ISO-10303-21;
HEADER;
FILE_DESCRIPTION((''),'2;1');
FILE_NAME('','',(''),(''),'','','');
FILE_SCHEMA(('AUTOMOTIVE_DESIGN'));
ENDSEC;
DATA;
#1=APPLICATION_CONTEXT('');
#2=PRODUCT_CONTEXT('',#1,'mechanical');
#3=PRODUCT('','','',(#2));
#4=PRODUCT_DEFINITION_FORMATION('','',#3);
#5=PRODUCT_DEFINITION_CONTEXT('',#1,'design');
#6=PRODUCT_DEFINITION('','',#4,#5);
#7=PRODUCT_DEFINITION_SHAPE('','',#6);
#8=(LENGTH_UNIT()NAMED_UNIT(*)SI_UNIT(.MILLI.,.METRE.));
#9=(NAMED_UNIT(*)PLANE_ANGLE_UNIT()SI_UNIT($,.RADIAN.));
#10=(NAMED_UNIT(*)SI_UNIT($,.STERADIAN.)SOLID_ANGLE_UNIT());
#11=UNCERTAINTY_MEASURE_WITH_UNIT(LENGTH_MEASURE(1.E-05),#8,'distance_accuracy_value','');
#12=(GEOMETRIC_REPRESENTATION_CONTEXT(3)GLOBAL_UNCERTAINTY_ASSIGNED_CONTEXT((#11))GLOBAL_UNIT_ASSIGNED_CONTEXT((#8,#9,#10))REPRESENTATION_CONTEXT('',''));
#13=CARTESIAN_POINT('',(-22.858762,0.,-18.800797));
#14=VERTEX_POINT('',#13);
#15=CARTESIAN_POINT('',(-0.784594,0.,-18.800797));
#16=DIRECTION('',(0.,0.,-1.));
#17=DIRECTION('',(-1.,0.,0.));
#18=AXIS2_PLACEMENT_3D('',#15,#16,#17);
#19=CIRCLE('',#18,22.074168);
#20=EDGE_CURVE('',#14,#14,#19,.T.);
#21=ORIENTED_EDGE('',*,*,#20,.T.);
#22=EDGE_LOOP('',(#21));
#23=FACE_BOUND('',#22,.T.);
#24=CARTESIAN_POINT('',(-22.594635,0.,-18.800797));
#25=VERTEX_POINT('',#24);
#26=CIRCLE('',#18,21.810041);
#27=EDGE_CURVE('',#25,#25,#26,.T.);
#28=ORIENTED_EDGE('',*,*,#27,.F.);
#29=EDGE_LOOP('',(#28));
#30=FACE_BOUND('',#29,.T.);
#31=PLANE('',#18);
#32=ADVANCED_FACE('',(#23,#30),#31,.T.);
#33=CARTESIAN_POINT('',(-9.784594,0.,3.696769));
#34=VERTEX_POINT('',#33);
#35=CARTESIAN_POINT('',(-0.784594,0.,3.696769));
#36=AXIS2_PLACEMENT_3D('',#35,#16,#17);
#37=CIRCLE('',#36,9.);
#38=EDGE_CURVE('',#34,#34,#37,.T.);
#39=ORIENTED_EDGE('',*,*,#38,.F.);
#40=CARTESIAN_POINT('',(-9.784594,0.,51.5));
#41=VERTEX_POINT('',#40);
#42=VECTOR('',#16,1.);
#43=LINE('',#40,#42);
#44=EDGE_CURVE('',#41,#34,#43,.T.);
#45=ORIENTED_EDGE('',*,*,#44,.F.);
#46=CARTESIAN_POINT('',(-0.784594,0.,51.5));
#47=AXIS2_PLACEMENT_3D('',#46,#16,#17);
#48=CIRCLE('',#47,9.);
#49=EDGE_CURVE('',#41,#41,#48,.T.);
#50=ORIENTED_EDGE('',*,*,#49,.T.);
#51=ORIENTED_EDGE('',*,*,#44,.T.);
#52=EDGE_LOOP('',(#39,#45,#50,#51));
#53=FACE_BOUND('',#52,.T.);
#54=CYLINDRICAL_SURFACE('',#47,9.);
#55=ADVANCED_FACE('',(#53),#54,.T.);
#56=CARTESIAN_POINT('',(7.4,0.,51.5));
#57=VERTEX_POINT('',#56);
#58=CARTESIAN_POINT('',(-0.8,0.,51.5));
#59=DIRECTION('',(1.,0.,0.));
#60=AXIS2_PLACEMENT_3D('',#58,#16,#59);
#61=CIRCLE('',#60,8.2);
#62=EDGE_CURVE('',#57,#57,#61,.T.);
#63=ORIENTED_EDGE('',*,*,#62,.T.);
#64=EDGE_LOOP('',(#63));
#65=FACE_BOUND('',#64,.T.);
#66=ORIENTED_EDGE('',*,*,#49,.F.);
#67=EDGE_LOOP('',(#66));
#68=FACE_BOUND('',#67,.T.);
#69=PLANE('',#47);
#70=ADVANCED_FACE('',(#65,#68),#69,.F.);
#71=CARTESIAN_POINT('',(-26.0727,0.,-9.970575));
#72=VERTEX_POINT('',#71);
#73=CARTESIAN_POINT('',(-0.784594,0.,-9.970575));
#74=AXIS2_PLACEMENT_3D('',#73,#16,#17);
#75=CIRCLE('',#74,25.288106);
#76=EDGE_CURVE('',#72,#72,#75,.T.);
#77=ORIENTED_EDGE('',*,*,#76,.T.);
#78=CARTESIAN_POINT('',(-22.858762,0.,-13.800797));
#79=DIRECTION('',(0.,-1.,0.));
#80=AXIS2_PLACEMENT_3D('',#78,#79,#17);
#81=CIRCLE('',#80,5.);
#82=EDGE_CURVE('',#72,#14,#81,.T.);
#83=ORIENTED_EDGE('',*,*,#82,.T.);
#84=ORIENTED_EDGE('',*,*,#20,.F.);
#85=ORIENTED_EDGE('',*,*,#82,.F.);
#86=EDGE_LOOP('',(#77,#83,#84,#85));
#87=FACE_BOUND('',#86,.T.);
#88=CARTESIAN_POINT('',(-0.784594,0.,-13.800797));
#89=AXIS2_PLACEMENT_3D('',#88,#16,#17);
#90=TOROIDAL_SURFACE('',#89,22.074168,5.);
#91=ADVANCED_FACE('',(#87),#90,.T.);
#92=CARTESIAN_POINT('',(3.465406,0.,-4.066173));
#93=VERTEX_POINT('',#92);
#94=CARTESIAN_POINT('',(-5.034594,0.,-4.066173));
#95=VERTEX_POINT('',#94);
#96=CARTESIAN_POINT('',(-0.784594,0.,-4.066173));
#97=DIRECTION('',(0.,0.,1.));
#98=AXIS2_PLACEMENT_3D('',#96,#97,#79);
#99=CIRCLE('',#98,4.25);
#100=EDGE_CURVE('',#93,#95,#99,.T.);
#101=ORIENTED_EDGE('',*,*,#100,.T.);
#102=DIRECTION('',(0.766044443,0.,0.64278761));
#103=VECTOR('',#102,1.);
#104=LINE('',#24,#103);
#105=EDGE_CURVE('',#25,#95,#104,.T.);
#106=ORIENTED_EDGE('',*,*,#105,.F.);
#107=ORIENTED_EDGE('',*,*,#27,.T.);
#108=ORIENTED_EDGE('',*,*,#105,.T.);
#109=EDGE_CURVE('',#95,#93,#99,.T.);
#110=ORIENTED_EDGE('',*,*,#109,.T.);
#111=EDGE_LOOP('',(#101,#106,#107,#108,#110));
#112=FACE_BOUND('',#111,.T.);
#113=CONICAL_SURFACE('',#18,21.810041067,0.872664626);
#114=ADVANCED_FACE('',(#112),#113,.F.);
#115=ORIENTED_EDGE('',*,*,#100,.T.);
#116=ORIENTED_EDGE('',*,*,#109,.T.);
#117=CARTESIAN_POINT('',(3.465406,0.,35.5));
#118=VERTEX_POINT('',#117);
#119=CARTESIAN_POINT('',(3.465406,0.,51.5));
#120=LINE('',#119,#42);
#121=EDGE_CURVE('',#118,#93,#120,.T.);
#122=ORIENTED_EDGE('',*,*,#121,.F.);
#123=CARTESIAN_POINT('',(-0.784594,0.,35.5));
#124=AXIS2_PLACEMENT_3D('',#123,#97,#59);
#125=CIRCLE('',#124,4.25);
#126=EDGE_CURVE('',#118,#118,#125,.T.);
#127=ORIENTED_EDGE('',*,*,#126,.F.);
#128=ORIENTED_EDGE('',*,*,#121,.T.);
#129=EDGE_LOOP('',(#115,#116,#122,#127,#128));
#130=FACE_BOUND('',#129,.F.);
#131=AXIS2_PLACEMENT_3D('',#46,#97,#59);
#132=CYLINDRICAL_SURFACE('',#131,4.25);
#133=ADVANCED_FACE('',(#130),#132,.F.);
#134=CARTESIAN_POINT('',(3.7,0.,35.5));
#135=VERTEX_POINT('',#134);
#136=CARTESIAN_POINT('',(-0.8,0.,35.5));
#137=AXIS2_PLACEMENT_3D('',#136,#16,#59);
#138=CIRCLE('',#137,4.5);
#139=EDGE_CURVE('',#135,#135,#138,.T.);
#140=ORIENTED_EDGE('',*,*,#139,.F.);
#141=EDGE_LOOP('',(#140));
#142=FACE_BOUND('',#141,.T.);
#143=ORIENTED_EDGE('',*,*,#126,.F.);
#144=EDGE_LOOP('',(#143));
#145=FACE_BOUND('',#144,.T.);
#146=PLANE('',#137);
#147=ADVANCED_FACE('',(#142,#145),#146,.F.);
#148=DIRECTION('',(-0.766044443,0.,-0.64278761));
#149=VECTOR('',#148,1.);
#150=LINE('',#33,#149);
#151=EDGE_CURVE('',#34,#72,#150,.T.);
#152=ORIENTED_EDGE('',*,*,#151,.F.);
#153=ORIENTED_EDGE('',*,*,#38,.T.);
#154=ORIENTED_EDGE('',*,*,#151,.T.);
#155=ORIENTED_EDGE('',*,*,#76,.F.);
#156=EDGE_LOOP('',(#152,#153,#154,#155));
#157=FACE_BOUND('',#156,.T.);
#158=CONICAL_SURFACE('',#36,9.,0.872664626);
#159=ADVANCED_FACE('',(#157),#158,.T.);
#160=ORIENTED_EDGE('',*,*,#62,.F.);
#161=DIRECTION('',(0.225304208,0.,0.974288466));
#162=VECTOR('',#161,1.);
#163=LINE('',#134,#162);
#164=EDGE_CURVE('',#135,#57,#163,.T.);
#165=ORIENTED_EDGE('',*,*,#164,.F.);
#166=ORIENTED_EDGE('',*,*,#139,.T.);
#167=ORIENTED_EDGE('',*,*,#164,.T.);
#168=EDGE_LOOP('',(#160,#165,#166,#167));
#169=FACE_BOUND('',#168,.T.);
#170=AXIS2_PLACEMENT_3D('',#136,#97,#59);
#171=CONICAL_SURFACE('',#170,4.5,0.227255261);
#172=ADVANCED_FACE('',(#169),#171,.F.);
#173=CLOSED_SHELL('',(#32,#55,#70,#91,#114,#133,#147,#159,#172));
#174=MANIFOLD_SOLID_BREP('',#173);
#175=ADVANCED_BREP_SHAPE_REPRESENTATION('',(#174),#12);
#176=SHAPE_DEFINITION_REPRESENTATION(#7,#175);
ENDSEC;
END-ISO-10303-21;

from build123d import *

# Parameters (mm, degrees)
F2_R     = 5
F3_R     = 4.25
F4_DEPTH = 70


with BuildPart() as f1:
    # F0 (on Front) → F1 (revolve)
    with BuildSketch(Plane.XZ):
        with BuildLine():
            Line((-0.7845937077, 51.5), (-9.7845937077, 51.5))
            Line((-9.7845937077, 51.5), (-9.7845937077, 3.6967689234))
            Line((-9.7845937077, 3.6967689234), (-36.5961492169, -18.8007974156))
            Line((-36.5961492169, -18.8007974156), (-22.5946347751, -18.8007974156))
            Line((-22.5946347751, -18.8007974156), (-2.5706556593, -1.9986839248))
            ThreePointArc((-2.5706556593, -1.9986839248), (-1.2530547725, -0.2815530179), (-0.7845937077, 1.8315382908))
            Line((-0.7845937077, 1.8315382908), (-0.7845937077, 51.5))
        make_face()
    revolve(axis=Axis((-0.7845937077, 0, 26.6657691454), (0, 0, -1)))

    # F2
    f2_edges = [f1.edges().sort_by_distance(p)[0] for p in [
        (35.026962, 0, -18.800797),
    ]]
    fillet(f2_edges, radius=F2_R)

    # F3 (on face) → F4 (cut)
    with BuildSketch(Plane.XY.offset(51.5)):
        with Locations((-0.7845937077, 0)):
            Circle(F3_R)
    extrude(amount=-F4_DEPTH, mode=Mode.SUBTRACT)

    # F5 (on Front) → F6 (revolve, cut)
    with BuildSketch(Plane.XZ):
        Polygon((7.4, 51.5), (-0.8, 51.5), (-0.8, 35.5), (3.7, 35.5), align=None)
    revolve(axis=Axis((-0.8, 0, 43.5), (0, 0, -1)), mode=Mode.SUBTRACT)


solid = f1.part
